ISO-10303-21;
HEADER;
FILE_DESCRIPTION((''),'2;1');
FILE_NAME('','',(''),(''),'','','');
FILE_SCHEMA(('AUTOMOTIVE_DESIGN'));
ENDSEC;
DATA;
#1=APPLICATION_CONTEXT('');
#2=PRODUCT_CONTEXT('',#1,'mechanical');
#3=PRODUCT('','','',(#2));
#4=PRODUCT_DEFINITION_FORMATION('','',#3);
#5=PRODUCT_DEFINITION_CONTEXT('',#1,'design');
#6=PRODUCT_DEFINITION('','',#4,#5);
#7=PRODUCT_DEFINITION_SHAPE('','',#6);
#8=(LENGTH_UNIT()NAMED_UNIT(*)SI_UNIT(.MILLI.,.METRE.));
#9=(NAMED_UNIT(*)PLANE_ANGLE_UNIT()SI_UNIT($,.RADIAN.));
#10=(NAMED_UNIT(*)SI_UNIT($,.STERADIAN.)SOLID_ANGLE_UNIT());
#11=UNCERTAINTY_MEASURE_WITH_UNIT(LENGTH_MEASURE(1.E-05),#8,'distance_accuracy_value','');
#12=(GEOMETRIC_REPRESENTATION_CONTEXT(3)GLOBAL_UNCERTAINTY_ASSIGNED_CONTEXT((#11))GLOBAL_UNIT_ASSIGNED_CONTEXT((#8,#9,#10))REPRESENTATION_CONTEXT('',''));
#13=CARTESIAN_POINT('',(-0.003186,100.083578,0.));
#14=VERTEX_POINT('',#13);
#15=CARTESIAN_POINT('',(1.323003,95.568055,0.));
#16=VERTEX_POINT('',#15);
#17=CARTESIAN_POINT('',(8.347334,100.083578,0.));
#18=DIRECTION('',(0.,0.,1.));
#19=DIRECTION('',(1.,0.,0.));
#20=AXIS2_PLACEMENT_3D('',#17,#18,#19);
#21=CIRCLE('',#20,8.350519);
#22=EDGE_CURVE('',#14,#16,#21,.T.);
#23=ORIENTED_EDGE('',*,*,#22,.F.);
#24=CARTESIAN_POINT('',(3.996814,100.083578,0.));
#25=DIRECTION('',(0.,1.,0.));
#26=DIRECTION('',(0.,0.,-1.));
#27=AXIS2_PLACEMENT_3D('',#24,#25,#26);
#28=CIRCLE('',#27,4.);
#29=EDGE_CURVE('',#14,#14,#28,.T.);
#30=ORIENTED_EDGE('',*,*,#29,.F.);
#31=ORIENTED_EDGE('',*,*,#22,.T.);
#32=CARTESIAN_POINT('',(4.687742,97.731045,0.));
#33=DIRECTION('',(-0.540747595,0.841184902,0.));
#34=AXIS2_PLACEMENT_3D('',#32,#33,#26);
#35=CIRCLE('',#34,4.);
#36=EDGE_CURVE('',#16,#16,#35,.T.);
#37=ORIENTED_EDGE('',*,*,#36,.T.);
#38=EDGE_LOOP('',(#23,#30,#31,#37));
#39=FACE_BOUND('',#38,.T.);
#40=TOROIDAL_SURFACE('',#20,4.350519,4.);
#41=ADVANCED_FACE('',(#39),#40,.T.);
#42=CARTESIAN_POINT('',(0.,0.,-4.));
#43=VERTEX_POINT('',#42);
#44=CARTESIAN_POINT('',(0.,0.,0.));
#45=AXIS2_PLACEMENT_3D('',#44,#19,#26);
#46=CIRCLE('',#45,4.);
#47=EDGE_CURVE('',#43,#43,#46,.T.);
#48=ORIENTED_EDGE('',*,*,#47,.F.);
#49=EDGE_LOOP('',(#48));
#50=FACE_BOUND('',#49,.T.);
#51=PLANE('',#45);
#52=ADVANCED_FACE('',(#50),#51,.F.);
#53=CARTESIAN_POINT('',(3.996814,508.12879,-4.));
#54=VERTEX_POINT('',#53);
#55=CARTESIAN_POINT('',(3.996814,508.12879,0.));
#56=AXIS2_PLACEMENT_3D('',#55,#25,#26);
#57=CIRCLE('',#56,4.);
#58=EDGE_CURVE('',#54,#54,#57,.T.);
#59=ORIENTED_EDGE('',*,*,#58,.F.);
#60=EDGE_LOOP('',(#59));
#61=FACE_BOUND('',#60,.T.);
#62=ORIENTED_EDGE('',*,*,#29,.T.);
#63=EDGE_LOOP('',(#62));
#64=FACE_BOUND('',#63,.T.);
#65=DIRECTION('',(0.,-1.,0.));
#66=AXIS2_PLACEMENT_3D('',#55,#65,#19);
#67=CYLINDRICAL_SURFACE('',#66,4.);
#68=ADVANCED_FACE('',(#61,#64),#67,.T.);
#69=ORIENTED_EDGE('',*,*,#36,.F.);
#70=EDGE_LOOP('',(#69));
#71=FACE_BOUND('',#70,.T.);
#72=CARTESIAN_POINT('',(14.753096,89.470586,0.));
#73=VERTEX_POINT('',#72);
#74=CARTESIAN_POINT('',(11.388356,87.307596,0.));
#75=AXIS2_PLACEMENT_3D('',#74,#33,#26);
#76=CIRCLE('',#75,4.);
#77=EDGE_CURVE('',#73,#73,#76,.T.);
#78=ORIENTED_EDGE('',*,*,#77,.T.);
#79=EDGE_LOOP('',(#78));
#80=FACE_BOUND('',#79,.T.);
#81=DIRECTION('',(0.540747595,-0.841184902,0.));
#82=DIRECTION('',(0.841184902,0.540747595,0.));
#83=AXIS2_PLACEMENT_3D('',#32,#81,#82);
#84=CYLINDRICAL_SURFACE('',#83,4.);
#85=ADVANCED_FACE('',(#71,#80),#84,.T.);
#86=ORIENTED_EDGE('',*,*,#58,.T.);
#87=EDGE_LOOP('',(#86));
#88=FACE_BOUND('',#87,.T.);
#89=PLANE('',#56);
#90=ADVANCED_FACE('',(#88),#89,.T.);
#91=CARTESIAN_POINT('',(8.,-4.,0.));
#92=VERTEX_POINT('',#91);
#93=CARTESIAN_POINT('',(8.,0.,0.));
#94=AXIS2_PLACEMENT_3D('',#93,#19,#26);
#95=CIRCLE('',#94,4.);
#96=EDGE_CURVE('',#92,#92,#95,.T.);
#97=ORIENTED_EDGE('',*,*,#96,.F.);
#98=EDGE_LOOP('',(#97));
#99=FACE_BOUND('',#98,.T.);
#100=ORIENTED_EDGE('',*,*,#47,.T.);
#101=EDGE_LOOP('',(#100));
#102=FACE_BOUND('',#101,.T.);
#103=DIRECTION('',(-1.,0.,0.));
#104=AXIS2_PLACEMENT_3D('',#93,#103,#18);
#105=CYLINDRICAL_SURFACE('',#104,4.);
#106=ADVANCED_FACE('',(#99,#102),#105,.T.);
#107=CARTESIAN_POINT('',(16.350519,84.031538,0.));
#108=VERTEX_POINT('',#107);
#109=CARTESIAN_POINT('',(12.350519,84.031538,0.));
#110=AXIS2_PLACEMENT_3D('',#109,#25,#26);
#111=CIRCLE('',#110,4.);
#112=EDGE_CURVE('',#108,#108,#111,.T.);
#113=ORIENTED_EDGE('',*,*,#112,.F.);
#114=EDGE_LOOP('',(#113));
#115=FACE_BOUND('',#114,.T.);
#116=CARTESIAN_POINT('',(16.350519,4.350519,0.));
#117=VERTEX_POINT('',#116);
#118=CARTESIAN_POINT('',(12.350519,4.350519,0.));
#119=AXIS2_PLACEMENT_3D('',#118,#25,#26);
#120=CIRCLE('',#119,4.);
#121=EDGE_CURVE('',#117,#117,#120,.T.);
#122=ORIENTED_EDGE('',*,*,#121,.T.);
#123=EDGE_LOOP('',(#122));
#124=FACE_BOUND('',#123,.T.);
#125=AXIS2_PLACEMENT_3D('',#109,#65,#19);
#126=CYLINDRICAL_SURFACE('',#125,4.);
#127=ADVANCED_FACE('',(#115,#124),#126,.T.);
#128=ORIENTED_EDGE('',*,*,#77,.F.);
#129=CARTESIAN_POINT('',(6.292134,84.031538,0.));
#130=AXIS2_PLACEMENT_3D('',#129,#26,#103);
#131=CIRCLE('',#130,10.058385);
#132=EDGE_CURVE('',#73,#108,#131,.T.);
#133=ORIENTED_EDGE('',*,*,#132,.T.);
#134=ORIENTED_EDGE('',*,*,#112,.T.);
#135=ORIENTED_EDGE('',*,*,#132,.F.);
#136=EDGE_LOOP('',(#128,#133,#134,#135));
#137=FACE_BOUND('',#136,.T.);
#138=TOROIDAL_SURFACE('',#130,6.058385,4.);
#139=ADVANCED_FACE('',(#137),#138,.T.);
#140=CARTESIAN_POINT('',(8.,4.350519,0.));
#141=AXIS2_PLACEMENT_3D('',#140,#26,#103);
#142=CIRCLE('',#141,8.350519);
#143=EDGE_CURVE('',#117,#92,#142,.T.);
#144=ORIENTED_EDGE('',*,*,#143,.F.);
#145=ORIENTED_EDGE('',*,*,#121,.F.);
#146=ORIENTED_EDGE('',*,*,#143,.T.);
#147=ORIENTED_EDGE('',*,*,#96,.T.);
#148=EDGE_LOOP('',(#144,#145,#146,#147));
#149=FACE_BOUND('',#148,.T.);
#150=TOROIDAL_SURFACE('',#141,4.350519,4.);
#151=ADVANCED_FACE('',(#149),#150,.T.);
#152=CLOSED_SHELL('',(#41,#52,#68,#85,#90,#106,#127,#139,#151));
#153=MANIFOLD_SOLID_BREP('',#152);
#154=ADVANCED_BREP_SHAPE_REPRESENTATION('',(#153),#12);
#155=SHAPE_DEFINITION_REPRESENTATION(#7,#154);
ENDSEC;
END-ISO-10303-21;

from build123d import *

# Parameters (mm, degrees)
SKETCH17_R = 4


with BuildPart() as part:
    # Sweep22: sweep along a path in Sketch3
    with BuildLine(Plane.XY) as sweep22_path:
        Line((0, 0), (8, 0))
        ThreePointArc((8, 0), (11.076281797, 1.274237642), (12.350519439, 4.350519439))
        Line((12.350519439, 4.350519439), (12.350519439, 84.031538443))
        ThreePointArc((12.350519439, 84.031538443), (12.105003941, 85.738751653), (11.388356434, 87.307595544))
        Line((11.388356434, 87.307595544), (4.687742411, 97.731045235))
        ThreePointArc((4.687742411, 97.731045235), (4.173118642, 98.85763027), (3.996814239, 100.083578158))
        Line((3.996814239, 100.083578158), (3.996814239, 508.128789654))
    # Sketch17 → Sweep22 (sweep)
    with BuildSketch(Plane(origin=(0, 0, 0), x_dir=(0, 0, -1), z_dir=(1, 0, 0))):
        Circle(SKETCH17_R)
    sweep(path=sweep22_path.line)


solid = part.part
